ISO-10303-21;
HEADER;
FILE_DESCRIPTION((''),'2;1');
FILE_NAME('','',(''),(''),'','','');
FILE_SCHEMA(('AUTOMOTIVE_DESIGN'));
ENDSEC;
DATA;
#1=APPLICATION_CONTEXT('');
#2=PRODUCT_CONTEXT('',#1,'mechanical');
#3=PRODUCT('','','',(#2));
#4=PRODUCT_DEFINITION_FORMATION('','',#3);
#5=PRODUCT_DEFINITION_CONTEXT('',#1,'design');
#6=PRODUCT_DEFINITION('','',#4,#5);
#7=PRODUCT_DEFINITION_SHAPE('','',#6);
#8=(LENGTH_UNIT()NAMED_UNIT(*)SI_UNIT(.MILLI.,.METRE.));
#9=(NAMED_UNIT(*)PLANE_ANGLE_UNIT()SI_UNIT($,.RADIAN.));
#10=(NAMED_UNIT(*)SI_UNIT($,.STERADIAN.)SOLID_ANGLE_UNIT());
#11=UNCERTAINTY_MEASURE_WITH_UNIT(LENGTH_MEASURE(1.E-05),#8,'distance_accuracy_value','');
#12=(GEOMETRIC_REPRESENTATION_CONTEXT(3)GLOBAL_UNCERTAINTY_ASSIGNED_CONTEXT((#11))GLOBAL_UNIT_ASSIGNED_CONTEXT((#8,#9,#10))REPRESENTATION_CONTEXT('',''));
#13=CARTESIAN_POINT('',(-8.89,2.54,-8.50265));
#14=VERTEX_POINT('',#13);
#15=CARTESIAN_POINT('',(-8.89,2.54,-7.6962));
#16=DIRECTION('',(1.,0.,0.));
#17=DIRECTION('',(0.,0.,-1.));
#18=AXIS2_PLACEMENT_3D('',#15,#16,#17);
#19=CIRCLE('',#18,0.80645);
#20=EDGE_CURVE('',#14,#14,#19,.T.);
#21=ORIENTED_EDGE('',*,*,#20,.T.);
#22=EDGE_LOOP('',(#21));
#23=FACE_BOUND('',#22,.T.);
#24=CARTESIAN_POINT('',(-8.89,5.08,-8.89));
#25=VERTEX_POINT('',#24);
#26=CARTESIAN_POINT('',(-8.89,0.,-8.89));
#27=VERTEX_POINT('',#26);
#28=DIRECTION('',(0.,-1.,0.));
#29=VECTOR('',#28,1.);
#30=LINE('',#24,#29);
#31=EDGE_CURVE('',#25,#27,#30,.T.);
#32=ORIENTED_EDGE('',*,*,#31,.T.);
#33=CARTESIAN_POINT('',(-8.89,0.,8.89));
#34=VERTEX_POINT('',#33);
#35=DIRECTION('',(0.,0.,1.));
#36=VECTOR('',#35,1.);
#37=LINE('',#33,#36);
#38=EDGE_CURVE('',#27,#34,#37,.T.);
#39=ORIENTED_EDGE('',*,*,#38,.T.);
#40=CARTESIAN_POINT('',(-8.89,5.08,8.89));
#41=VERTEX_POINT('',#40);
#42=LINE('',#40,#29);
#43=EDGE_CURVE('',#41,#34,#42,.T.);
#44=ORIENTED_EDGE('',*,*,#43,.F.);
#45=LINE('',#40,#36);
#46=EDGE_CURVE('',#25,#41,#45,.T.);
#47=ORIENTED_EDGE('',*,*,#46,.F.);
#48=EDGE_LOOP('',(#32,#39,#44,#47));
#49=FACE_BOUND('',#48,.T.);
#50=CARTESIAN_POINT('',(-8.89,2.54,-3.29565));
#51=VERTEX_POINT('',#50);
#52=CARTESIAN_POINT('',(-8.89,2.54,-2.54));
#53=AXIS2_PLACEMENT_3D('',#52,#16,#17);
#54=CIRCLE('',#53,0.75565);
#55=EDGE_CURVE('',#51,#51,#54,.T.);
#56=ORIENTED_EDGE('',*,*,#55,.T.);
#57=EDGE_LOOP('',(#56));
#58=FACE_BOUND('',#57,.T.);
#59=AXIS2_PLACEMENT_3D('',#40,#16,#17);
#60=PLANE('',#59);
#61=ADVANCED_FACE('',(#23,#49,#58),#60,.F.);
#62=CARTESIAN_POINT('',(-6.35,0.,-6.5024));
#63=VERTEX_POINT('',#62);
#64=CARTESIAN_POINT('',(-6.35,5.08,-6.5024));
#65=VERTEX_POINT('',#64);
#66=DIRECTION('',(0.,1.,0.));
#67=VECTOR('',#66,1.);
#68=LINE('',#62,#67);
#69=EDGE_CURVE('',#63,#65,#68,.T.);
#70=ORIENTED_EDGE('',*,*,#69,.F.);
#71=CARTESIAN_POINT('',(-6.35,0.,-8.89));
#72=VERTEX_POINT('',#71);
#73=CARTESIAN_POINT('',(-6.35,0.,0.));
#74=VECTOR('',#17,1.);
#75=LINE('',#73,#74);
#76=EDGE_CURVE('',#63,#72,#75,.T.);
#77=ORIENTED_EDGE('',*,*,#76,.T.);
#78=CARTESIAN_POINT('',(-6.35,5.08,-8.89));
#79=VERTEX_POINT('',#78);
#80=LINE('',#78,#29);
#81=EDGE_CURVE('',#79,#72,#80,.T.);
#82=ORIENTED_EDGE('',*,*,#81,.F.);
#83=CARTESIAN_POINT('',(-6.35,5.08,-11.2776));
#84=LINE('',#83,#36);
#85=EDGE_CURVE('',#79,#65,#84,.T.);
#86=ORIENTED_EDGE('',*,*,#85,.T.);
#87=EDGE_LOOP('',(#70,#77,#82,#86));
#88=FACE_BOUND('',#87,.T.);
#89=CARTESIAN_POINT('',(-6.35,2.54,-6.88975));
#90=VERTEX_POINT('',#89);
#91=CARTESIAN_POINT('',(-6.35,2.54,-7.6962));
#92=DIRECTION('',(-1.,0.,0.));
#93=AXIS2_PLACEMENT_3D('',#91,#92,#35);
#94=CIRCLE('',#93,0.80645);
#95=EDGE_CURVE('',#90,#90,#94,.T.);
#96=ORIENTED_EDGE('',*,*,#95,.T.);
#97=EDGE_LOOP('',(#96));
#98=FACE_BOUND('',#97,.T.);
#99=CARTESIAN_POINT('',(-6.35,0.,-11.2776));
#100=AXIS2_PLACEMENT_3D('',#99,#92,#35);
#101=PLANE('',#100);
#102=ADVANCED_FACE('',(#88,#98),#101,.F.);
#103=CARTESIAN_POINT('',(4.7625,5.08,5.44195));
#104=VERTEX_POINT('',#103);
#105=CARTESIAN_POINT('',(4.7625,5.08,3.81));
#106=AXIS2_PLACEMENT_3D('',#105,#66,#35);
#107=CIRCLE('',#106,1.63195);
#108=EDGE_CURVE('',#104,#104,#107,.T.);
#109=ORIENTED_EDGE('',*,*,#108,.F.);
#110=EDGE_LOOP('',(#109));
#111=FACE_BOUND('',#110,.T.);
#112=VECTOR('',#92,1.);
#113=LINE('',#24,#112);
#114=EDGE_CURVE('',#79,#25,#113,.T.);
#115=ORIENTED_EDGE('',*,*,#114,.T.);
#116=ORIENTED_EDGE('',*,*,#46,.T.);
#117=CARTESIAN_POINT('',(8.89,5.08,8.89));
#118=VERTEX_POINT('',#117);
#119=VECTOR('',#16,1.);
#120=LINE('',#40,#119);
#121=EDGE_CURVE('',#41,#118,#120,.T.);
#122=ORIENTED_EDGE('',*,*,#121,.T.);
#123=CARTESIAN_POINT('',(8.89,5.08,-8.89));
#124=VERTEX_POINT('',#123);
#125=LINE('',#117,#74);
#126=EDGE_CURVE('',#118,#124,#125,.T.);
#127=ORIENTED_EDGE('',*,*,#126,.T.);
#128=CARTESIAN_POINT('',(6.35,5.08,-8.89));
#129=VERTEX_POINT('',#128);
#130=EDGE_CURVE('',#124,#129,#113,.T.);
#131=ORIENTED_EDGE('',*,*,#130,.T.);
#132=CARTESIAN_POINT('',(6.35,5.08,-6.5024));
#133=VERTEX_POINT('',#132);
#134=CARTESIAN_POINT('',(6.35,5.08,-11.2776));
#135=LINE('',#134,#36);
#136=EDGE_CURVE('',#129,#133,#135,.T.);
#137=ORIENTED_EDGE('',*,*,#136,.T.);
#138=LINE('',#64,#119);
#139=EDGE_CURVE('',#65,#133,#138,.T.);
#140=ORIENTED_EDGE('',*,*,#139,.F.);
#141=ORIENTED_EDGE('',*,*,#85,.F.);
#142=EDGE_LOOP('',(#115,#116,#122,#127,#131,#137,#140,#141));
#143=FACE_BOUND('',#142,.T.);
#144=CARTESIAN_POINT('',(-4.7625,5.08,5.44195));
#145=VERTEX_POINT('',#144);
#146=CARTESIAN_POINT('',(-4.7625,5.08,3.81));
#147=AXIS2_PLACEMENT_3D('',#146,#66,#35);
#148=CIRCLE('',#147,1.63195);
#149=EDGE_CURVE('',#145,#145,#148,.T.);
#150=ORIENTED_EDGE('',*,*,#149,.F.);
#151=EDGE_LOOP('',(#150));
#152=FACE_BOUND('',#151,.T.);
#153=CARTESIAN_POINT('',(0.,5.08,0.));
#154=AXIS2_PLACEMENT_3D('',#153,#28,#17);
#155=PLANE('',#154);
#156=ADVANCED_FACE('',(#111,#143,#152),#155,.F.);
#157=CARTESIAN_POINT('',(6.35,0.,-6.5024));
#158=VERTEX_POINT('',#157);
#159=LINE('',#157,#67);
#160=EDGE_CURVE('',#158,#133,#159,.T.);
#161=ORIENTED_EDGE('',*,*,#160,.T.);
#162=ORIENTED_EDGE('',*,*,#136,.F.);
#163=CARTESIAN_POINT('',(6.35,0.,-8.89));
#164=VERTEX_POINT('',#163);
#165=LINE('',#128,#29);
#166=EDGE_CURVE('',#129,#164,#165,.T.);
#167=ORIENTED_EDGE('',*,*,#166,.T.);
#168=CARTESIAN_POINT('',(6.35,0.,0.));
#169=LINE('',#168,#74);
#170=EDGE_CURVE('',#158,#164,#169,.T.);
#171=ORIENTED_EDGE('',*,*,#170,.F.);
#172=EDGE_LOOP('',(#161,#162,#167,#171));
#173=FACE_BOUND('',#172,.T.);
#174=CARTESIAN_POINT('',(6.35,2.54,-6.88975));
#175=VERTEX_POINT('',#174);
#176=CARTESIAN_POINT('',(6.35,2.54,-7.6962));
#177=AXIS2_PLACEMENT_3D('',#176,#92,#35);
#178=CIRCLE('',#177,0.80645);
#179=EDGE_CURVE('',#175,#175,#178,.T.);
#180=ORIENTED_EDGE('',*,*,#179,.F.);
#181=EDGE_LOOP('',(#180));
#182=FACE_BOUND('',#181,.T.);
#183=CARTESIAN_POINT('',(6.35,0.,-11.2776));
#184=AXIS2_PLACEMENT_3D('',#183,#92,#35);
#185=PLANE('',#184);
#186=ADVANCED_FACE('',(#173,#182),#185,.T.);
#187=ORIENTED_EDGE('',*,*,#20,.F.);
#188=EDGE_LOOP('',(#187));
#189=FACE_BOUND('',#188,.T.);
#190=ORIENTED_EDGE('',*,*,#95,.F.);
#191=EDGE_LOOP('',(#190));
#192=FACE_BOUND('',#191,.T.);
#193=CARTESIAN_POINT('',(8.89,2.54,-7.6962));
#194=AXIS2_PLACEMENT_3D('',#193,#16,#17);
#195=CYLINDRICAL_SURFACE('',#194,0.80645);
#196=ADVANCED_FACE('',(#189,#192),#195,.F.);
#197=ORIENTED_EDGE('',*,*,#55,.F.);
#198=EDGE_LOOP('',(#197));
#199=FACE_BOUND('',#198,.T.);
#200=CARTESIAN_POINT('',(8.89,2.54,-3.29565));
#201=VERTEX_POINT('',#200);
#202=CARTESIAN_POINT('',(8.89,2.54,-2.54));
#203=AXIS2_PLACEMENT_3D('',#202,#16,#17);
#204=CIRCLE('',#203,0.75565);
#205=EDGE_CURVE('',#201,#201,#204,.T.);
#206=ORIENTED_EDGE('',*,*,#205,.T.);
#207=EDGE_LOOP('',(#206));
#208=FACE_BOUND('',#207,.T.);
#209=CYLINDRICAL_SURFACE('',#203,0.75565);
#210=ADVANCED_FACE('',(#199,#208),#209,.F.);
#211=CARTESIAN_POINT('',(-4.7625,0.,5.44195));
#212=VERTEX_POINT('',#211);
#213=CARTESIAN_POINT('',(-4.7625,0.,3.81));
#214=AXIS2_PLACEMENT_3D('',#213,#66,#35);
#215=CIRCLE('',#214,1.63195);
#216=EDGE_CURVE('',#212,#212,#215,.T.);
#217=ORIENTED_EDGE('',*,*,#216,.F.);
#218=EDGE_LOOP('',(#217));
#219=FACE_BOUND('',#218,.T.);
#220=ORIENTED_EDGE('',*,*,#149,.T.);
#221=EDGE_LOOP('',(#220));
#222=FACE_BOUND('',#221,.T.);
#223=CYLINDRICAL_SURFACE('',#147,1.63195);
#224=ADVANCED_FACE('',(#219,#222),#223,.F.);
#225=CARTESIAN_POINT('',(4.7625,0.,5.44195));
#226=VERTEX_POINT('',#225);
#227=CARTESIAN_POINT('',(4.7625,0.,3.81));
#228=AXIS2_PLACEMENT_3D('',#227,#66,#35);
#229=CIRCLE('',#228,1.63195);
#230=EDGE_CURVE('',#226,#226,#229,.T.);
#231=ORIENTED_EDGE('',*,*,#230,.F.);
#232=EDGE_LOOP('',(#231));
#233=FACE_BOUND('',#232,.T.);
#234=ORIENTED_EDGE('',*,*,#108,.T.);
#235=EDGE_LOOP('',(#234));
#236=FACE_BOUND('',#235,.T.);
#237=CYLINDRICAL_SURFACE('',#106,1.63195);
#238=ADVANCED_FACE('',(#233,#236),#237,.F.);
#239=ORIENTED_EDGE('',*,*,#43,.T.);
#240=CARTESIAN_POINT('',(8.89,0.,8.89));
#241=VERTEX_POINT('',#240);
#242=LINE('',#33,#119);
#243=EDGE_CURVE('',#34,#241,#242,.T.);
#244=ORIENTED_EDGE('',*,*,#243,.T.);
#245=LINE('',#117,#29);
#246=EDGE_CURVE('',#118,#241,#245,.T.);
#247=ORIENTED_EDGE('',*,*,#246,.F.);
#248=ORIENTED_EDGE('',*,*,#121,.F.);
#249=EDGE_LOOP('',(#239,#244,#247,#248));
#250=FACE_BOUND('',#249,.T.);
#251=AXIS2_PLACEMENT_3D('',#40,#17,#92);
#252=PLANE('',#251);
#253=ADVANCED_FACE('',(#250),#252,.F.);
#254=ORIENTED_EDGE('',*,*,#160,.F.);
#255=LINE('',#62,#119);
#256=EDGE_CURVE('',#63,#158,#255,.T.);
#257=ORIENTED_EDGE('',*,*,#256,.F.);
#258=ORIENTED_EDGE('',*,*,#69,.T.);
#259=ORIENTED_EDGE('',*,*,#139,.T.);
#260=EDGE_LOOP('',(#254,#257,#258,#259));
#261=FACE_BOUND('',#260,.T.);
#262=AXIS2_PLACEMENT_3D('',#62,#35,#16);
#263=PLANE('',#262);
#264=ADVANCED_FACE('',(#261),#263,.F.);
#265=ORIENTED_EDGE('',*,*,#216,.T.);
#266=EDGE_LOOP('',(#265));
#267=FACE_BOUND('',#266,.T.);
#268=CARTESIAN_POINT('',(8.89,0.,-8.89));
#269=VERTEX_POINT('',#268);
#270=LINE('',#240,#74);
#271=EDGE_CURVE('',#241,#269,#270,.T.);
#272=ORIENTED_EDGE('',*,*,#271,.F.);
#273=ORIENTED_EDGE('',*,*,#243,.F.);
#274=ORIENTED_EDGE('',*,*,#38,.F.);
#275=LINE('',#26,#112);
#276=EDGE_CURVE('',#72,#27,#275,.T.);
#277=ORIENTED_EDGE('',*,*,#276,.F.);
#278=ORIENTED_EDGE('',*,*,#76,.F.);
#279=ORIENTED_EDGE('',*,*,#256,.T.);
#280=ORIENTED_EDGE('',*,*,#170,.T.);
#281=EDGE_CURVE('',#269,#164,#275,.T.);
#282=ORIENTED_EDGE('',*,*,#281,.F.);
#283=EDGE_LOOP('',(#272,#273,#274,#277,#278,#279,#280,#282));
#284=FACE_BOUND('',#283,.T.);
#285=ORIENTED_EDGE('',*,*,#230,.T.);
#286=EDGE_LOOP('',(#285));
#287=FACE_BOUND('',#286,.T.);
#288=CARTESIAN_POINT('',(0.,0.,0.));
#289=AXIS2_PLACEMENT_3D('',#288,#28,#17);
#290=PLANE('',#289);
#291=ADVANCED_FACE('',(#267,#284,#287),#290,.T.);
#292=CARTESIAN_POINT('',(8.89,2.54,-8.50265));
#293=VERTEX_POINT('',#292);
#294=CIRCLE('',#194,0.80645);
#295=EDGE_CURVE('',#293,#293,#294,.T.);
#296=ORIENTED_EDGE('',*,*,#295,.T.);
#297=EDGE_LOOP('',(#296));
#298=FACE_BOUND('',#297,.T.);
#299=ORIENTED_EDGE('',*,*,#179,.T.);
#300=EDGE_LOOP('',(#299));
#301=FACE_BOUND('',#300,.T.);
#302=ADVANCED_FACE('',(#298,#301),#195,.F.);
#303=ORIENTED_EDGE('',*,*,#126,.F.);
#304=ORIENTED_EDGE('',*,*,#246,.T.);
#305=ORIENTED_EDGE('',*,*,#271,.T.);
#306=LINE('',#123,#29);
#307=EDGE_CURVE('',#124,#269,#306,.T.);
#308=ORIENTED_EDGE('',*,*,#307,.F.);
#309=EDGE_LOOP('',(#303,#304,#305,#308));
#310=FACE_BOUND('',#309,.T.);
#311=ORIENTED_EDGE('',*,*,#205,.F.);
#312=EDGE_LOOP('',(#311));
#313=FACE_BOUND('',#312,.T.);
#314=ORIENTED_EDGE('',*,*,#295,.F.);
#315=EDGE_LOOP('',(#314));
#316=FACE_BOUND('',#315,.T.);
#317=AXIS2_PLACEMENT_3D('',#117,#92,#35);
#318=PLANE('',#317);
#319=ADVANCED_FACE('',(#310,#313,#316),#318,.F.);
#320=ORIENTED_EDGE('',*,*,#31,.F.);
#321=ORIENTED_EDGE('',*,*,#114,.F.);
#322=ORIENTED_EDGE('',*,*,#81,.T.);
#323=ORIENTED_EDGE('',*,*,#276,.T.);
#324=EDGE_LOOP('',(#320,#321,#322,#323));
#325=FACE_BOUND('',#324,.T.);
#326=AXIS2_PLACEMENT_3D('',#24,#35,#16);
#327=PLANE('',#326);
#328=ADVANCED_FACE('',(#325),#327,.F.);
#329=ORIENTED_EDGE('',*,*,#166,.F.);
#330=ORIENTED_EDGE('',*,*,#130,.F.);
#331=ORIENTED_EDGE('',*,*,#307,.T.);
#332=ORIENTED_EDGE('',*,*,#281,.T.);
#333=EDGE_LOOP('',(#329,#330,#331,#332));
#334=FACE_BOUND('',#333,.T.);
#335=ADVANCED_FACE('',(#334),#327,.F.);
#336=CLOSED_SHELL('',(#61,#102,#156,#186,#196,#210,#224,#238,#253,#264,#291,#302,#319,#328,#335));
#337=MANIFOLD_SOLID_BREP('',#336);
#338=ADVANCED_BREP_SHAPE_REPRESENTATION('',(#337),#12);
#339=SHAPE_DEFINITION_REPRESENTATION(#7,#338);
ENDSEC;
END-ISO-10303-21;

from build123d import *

# Parameters (mm, degrees)
SKETCH1_W             = 17.78
SKETCH1_H             = 17.78
BOSS_EXTRUDE1_DEPTH   = 5.08
SKETCH2_W             = 12.7
SKETCH2_H             = 4.7752
CUT_EXTRUDE1_DEPTH    = 14.55988938
F_4_CLEARANCE_HOLE1_D = 3.2639
F_0_CLEARANCE_HOLE1_D = 1.6129
F_1_72_TAPPED_HOLE1_D = 1.5113


with BuildPart() as part:
    # Sketch1 → Boss-Extrude1 (new body)
    with BuildSketch(Plane(origin=(0, 0, 0), x_dir=(1, 0, 0), z_dir=(0, 1, 0))):
        Rectangle(SKETCH1_W, SKETCH1_H)
    extrude(amount=BOSS_EXTRUDE1_DEPTH)

    # Sketch2 → Cut-Extrude1 (cut, through all)
    with BuildSketch(Plane(origin=(0, 5.08, 0), x_dir=(1, 0, 0), z_dir=(0, 1, 0))):
        with Locations((0, 8.89)):
            Rectangle(SKETCH2_W, SKETCH2_H)
    extrude(amount=-CUT_EXTRUDE1_DEPTH, mode=Mode.SUBTRACT)

    # #4 Clearance Hole1 (through all)
    with Locations(Plane(origin=(0, 5.08, 0), x_dir=(1, 0, 0), z_dir=(0, 1, 0))):
        with Locations((4.7625, -3.81), (-4.7625, -3.81)):
            Hole(F_4_CLEARANCE_HOLE1_D / 2)

    # #0 Clearance Hole1 (through all)
    with Locations(Plane(origin=(8.89, 0, 0), x_dir=(0, 0, -1), z_dir=(1, 0, 0))):
        with Locations((7.6962, 2.54)):
            Hole(F_0_CLEARANCE_HOLE1_D / 2)

    # #1-72 Tapped Hole1 (through all)
    with Locations(Plane(origin=(8.89, 0, 0), x_dir=(0, 0, -1), z_dir=(1, 0, 0))):
        with Locations((2.54, 2.54)):
            Hole(F_1_72_TAPPED_HOLE1_D / 2)


solid = part.part
